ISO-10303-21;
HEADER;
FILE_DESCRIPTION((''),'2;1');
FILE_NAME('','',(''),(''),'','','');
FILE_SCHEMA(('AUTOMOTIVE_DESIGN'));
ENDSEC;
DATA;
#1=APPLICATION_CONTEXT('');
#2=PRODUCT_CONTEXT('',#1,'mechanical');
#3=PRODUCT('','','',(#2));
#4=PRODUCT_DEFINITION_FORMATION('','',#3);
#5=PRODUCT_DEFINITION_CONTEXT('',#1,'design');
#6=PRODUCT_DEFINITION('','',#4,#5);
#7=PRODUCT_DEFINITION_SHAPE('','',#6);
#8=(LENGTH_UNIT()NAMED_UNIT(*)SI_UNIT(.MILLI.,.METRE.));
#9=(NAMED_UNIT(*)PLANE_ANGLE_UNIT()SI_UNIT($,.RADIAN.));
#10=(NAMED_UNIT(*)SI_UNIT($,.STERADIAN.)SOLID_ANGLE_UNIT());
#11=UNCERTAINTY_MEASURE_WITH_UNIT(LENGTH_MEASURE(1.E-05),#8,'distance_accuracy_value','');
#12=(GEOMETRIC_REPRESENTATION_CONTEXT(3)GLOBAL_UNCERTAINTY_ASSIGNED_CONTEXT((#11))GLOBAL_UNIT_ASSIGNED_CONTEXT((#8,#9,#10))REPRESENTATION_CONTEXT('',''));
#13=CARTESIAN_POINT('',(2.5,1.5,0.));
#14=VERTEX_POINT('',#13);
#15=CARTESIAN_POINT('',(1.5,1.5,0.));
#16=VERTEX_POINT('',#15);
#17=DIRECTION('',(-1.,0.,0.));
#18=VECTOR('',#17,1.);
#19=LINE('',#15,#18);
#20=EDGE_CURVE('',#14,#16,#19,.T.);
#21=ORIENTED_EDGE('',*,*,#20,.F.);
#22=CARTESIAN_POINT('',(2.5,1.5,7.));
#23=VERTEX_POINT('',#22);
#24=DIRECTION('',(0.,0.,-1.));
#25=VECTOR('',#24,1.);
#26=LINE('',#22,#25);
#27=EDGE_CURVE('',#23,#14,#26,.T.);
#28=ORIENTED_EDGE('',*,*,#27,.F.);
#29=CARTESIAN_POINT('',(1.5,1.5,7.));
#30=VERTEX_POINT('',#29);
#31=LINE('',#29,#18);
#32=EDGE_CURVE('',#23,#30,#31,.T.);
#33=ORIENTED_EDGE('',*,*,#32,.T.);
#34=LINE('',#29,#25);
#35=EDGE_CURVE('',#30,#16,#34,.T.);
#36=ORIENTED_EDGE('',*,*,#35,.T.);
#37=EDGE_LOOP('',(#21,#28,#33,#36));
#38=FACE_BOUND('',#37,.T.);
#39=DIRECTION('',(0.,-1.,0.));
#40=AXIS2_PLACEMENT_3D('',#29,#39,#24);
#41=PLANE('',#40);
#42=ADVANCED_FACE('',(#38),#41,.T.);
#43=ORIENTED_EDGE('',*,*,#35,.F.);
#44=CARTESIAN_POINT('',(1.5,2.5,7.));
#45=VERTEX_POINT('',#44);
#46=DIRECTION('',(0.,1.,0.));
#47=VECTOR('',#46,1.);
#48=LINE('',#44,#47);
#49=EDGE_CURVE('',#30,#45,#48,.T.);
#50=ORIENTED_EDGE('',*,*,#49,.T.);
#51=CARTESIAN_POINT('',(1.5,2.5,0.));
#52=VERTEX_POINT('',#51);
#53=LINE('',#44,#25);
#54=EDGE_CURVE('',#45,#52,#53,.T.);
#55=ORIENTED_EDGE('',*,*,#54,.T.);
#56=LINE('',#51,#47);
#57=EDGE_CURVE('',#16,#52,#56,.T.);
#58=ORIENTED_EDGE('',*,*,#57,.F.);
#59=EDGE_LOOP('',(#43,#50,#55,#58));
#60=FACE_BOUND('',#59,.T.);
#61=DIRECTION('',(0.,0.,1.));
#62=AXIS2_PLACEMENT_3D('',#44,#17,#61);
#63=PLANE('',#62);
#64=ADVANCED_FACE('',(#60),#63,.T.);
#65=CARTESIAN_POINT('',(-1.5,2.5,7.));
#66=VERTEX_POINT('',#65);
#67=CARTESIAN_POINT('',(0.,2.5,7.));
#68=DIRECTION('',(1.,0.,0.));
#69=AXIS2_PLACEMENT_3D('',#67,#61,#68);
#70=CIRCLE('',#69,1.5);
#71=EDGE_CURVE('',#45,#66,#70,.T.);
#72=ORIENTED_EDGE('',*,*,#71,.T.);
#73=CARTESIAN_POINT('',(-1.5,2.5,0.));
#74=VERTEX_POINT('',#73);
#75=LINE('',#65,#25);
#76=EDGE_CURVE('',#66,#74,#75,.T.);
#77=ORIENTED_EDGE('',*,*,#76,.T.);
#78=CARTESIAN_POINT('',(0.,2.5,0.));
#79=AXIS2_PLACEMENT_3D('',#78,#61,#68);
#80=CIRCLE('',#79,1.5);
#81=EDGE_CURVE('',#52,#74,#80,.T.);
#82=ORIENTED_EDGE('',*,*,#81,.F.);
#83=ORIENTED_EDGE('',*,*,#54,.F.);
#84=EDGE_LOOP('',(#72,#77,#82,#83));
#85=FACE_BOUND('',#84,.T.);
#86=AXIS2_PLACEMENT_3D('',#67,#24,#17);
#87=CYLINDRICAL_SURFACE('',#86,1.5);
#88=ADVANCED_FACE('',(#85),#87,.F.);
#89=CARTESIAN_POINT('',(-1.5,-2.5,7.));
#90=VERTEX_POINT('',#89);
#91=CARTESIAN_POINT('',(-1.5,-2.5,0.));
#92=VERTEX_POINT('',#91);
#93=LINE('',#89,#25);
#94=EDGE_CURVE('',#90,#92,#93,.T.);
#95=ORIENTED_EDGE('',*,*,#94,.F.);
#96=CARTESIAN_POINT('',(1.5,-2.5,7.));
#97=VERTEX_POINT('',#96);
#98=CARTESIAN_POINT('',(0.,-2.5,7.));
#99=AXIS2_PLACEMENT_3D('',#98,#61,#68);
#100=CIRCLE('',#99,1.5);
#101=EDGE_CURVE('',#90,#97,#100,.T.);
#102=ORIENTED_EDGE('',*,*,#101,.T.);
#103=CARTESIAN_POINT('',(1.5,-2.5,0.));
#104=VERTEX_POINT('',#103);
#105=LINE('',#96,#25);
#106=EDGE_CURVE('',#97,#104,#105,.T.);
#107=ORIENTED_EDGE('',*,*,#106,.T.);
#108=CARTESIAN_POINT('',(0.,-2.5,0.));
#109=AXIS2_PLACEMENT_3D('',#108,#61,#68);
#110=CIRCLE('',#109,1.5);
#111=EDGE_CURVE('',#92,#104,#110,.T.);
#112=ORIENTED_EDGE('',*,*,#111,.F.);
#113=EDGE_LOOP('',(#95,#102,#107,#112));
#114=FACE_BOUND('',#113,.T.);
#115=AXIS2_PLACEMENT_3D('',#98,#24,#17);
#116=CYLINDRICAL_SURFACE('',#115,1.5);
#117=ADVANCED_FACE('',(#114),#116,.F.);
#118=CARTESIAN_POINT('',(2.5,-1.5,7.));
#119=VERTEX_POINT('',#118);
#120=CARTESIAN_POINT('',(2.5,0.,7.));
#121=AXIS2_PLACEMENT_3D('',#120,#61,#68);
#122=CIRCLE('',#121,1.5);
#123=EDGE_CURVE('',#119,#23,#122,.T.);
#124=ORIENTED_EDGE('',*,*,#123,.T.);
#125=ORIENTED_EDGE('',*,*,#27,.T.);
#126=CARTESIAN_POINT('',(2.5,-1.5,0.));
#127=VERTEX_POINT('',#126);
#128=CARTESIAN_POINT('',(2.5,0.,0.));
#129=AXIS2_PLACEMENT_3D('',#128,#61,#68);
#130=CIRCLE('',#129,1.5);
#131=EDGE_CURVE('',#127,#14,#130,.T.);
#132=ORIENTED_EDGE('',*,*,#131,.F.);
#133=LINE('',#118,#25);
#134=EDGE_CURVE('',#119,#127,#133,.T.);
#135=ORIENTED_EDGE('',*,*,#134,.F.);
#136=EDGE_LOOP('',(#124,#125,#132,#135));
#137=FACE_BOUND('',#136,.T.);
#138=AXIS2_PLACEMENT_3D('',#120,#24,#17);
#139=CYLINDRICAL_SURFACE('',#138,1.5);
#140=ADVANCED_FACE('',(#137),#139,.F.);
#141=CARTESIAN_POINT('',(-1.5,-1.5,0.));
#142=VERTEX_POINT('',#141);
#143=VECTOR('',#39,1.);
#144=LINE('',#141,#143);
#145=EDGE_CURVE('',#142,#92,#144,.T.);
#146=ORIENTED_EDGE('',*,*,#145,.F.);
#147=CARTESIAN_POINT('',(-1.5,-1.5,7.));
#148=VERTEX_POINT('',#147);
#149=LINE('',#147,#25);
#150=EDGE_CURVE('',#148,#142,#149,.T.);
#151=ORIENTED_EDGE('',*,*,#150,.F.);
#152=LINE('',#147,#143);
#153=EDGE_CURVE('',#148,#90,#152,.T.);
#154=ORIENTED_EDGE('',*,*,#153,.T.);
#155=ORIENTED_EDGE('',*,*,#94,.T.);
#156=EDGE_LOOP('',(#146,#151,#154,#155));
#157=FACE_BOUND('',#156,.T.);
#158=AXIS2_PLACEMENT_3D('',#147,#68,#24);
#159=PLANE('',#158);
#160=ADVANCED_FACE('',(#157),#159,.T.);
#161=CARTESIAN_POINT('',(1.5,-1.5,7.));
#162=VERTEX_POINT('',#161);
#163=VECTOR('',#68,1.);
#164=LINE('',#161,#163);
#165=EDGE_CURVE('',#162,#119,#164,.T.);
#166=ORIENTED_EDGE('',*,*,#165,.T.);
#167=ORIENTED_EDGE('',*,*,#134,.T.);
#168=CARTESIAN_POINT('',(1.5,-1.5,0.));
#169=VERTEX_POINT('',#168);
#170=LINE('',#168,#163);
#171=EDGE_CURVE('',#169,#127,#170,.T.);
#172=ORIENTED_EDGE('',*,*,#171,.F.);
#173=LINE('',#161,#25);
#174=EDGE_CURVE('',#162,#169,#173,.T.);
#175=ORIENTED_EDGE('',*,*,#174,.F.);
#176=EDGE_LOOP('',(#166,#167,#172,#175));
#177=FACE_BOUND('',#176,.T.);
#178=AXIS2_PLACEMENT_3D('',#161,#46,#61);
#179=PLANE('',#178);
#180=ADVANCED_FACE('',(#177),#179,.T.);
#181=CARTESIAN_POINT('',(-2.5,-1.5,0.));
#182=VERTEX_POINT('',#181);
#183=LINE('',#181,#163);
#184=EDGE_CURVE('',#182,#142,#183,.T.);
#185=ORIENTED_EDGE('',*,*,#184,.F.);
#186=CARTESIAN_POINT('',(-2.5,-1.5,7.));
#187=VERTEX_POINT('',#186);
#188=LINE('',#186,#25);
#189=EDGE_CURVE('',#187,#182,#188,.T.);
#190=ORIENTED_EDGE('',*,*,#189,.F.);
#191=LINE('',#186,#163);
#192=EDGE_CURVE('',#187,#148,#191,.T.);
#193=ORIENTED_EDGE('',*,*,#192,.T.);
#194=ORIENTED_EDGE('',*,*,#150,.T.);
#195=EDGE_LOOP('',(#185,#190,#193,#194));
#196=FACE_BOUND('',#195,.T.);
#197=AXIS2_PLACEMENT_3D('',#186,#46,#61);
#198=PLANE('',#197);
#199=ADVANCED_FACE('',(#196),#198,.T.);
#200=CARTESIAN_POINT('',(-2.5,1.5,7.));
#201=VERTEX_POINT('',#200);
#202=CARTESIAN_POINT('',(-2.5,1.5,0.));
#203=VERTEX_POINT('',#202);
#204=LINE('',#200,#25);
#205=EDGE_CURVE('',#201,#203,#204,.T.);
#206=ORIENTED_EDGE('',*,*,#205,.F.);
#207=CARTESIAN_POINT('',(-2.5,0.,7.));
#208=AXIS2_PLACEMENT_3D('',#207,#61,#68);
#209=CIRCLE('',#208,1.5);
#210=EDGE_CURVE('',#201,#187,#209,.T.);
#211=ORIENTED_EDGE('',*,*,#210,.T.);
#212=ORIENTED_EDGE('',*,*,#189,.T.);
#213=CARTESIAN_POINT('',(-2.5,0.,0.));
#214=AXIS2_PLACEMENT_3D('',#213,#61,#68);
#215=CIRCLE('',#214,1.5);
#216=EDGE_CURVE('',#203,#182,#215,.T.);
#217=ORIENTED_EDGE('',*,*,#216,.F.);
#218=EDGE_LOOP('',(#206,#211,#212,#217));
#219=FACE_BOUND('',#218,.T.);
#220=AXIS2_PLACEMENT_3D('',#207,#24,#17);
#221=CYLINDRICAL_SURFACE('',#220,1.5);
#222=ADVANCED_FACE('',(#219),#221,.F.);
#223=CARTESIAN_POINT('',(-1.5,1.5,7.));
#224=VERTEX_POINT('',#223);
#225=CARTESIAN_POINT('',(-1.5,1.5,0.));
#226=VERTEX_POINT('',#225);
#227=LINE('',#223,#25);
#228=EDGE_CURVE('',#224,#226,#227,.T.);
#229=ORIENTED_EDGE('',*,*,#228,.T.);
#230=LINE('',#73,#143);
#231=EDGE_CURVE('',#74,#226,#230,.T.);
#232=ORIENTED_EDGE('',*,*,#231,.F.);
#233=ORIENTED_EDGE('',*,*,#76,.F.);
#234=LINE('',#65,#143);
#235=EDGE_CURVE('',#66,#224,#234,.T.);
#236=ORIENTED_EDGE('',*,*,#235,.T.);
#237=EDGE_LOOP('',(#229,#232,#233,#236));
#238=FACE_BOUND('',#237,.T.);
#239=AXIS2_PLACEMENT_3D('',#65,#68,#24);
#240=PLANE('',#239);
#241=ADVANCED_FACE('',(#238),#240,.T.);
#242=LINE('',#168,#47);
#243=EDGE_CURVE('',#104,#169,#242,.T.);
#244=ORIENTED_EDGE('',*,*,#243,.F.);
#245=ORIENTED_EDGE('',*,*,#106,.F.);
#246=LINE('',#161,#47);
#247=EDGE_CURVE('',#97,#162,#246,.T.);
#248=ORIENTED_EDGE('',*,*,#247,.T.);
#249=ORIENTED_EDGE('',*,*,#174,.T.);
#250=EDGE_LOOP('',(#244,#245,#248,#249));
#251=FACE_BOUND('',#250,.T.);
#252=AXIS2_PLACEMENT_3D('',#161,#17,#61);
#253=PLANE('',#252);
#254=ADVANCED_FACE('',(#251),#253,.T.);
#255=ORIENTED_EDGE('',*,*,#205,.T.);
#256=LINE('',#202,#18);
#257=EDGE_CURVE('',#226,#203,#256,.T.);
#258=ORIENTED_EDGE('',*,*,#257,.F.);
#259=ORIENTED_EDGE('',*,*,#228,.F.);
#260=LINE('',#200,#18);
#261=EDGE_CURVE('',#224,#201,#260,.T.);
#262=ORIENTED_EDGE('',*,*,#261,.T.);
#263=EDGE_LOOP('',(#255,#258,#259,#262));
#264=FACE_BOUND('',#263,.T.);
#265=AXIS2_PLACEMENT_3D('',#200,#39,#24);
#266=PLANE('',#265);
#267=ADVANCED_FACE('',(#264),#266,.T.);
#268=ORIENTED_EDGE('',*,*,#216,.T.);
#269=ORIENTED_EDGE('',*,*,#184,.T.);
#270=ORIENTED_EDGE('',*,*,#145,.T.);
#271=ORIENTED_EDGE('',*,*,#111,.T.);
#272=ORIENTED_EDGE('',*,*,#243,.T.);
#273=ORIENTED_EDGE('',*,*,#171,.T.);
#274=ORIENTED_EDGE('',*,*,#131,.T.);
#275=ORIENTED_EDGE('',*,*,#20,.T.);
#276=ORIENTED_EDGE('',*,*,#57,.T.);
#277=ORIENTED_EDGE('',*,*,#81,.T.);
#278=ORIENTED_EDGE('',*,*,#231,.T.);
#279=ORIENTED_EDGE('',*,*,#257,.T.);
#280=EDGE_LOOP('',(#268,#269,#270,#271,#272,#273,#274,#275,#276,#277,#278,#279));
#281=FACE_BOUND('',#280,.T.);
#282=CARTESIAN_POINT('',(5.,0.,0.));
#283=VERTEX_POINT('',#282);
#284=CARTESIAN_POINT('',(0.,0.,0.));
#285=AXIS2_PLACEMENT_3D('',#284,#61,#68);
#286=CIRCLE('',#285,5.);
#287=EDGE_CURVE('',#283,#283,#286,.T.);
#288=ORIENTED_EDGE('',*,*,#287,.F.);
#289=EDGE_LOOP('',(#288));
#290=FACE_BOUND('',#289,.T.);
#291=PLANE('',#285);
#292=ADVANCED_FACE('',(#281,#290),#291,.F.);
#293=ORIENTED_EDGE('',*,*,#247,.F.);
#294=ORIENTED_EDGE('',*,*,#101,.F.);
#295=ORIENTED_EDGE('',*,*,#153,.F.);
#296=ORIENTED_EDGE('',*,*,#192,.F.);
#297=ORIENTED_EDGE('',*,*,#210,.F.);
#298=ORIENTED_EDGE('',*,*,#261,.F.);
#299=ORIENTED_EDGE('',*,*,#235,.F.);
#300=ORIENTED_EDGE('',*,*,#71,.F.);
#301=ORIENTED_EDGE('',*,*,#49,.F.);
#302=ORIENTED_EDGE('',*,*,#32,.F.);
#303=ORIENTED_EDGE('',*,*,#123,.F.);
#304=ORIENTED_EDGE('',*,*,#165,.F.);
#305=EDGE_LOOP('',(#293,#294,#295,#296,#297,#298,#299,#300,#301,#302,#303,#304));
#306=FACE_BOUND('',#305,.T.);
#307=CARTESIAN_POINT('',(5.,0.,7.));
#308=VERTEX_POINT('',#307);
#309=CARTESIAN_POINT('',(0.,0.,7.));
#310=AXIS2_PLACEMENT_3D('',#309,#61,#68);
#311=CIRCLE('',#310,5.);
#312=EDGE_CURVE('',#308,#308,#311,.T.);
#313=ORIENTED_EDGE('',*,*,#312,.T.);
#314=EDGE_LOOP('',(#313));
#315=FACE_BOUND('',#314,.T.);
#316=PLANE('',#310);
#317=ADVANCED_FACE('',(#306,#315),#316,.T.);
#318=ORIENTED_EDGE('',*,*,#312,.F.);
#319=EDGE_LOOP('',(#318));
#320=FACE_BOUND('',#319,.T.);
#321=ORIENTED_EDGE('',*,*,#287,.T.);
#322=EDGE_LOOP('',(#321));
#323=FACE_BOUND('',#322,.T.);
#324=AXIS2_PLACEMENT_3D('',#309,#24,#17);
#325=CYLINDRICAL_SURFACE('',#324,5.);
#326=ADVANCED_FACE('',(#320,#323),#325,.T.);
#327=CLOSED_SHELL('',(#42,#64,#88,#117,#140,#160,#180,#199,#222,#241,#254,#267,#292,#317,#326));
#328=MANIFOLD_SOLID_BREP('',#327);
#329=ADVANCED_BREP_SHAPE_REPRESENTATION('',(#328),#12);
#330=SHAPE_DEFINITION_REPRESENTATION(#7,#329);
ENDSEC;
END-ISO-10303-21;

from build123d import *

# Parameters (mm, degrees)
SKETCH1_R           = 5
BOSS_EXTRUDE1_DEPTH = 7


with BuildPart() as part:
    # Sketch1 → Boss-Extrude1 (new body)
    with BuildSketch(Plane.XY):
        Circle(SKETCH1_R)
        with BuildLine():
            Line((-2.5, 1.5), (-1.5, 1.5))
            Line((-1.5, 1.5), (-1.5, 2.5))
            ThreePointArc((-1.5, 2.5), (0, 4), (1.5, 2.5))
            Line((1.5, 2.5), (1.5, 1.5))
            Line((1.5, 1.5), (2.5, 1.5))
            ThreePointArc((2.5, 1.5), (4, 0), (2.5, -1.5))
            Line((2.5, -1.5), (1.5, -1.5))
            Line((1.5, -1.5), (1.5, -2.5))
            ThreePointArc((1.5, -2.5), (0, -4), (-1.5, -2.5))
            Line((-1.5, -2.5), (-1.5, -1.5))
            Line((-1.5, -1.5), (-2.5, -1.5))
            ThreePointArc((-2.5, -1.5), (-4, 0), (-2.5, 1.5))
        make_face(mode=Mode.SUBTRACT)
    extrude(amount=BOSS_EXTRUDE1_DEPTH)


solid = part.part
